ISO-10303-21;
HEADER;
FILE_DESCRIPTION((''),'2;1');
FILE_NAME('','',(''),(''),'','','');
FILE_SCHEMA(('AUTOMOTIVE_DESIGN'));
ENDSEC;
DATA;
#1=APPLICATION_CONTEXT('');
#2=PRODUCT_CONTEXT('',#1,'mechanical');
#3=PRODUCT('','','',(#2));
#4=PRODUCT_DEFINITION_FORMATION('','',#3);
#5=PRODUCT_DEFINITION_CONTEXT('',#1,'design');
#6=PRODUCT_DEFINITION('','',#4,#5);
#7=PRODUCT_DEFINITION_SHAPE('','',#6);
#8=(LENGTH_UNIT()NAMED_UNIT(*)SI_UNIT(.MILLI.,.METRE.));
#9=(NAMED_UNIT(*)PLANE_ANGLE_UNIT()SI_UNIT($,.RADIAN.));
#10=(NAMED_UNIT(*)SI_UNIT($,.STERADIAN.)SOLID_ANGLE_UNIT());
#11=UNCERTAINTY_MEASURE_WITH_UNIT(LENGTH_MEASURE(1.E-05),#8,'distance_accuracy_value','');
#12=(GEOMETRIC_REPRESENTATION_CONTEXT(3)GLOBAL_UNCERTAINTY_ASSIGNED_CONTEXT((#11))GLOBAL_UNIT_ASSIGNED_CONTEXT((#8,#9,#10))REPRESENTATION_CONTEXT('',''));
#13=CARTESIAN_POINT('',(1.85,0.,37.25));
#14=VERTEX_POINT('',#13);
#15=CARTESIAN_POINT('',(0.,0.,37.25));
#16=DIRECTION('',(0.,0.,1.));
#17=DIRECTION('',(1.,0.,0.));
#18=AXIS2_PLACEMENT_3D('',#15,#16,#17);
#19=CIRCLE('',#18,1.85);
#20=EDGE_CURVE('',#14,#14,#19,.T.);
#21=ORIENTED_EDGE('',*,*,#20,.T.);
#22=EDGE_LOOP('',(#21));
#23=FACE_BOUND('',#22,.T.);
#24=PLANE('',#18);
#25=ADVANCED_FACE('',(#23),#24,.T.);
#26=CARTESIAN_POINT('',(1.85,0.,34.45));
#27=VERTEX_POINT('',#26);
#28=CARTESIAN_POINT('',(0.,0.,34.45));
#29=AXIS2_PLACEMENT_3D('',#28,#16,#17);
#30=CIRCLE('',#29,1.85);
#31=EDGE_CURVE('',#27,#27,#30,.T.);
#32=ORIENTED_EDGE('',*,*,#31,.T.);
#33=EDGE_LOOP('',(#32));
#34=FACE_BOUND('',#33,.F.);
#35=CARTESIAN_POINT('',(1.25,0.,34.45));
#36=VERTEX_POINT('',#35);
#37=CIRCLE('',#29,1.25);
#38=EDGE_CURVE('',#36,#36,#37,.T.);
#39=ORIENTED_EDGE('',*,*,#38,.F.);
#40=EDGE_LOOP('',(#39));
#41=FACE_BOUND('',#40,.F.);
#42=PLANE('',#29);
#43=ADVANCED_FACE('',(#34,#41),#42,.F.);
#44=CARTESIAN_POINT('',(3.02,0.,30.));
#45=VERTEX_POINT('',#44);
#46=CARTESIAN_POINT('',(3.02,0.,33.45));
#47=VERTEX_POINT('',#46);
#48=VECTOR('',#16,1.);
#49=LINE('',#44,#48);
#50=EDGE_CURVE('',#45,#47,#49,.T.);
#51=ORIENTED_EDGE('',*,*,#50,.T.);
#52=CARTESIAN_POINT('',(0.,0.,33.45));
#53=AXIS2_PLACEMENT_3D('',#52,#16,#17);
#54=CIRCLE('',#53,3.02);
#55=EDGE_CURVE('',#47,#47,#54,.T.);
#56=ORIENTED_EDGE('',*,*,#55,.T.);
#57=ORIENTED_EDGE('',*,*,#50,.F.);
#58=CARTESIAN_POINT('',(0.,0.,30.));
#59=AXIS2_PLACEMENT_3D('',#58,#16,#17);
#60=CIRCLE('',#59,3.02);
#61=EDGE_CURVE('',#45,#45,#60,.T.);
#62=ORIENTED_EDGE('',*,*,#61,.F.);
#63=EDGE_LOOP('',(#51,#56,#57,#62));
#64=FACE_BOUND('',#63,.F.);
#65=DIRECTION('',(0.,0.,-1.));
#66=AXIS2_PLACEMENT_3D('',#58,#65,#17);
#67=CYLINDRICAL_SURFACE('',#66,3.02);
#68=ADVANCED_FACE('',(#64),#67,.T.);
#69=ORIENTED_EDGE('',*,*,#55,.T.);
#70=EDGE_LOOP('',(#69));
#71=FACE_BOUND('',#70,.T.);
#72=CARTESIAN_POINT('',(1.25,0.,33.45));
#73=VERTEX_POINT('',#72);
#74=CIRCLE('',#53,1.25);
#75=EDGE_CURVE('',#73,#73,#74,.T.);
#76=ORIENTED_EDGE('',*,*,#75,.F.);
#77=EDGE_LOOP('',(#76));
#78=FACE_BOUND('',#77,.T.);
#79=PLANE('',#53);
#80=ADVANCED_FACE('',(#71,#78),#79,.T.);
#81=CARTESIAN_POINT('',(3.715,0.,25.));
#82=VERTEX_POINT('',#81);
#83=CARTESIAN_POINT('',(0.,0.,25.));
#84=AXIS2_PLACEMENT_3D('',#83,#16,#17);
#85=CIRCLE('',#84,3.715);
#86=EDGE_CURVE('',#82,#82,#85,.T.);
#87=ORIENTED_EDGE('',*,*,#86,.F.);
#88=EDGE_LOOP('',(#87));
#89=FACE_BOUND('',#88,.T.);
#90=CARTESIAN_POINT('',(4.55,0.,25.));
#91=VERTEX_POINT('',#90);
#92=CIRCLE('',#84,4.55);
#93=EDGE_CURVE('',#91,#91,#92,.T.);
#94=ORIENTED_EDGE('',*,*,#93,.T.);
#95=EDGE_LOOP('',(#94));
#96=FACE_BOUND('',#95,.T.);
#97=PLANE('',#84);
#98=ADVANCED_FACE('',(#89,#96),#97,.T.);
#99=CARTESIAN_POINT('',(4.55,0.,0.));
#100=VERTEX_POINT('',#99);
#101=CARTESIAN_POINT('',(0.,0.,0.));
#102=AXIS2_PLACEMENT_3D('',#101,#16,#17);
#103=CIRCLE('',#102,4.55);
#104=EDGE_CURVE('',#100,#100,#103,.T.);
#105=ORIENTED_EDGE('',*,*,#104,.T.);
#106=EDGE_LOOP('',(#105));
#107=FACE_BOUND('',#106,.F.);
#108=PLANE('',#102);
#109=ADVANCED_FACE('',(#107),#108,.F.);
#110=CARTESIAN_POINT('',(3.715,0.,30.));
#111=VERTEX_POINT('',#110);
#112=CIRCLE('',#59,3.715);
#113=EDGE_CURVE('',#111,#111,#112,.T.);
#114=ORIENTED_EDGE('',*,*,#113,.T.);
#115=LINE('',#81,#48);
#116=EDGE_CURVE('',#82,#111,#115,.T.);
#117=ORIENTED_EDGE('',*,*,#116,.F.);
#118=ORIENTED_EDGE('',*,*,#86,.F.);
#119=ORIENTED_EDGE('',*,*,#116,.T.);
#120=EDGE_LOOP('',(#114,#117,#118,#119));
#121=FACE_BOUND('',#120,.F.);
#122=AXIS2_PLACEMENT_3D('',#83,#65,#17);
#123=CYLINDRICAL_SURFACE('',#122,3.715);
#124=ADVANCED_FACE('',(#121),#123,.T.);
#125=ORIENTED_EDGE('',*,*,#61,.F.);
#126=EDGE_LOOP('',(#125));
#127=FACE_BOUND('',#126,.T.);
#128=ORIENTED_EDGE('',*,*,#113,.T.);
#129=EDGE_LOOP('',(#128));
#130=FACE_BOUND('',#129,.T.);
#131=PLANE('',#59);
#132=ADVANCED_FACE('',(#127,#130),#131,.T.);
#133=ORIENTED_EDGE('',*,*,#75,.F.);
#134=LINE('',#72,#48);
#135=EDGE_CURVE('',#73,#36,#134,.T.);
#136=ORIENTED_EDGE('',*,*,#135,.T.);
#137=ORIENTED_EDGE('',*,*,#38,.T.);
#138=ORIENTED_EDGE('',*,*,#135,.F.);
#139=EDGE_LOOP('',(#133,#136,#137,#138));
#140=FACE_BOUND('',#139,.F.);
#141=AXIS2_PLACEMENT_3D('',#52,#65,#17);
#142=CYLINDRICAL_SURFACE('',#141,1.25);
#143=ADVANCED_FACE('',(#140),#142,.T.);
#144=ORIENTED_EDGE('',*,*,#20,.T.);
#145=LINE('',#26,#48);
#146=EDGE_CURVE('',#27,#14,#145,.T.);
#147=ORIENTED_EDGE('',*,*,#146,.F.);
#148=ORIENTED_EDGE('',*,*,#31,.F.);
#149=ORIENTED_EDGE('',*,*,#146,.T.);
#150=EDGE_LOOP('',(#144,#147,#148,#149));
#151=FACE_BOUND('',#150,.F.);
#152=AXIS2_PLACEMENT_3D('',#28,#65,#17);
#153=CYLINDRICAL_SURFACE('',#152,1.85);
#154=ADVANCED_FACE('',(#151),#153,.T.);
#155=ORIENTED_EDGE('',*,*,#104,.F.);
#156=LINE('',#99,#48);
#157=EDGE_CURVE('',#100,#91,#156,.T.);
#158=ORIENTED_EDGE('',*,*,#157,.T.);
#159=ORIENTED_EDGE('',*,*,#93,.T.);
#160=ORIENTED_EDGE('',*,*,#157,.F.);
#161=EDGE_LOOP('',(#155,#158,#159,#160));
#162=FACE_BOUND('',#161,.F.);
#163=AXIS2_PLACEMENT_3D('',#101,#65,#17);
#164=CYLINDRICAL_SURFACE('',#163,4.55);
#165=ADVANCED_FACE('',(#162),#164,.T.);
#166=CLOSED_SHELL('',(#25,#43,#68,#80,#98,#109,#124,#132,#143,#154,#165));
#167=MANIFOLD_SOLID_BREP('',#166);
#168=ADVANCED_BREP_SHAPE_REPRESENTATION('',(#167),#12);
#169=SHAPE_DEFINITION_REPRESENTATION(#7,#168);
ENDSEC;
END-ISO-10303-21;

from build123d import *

# Parameters (mm, degrees)
F0_R     = 4.55
F1_DEPTH = 25
F2_R     = 3.715
F3_DEPTH = 5
F4_R     = 3.02
F5_DEPTH = 3.45
F6_R     = 1.25
F7_DEPTH = 1
F8_R     = 1.85
F8_R_2   = 1.25
F9_DEPTH = 2.8


with BuildPart() as f1:
    # F0 (on Top) → F1 (new body)
    with BuildSketch(Plane.XY):
        Circle(F0_R)
    extrude(amount=F1_DEPTH)

    # F2 (on face) → F3 (join)
    with BuildSketch(Plane.XY.offset(25)):
        Circle(F2_R)
    extrude(amount=F3_DEPTH)

    # F4 (on face) → F5 (join)
    with BuildSketch(Plane.XY.offset(30)):
        Circle(F4_R)
    extrude(amount=F5_DEPTH)

    # F6 (on face) → F7 (join)
    with BuildSketch(Plane.XY.offset(33.45)):
        Circle(F6_R)
    extrude(amount=F7_DEPTH)

    # F8 (on face) → F9 (join)
    with BuildSketch(Plane.XY.offset(34.45)):
        Circle(F8_R)
        Circle(F8_R_2, mode=Mode.SUBTRACT)
        Circle(F8_R_2)
    extrude(amount=F9_DEPTH)


solid = f1.part
